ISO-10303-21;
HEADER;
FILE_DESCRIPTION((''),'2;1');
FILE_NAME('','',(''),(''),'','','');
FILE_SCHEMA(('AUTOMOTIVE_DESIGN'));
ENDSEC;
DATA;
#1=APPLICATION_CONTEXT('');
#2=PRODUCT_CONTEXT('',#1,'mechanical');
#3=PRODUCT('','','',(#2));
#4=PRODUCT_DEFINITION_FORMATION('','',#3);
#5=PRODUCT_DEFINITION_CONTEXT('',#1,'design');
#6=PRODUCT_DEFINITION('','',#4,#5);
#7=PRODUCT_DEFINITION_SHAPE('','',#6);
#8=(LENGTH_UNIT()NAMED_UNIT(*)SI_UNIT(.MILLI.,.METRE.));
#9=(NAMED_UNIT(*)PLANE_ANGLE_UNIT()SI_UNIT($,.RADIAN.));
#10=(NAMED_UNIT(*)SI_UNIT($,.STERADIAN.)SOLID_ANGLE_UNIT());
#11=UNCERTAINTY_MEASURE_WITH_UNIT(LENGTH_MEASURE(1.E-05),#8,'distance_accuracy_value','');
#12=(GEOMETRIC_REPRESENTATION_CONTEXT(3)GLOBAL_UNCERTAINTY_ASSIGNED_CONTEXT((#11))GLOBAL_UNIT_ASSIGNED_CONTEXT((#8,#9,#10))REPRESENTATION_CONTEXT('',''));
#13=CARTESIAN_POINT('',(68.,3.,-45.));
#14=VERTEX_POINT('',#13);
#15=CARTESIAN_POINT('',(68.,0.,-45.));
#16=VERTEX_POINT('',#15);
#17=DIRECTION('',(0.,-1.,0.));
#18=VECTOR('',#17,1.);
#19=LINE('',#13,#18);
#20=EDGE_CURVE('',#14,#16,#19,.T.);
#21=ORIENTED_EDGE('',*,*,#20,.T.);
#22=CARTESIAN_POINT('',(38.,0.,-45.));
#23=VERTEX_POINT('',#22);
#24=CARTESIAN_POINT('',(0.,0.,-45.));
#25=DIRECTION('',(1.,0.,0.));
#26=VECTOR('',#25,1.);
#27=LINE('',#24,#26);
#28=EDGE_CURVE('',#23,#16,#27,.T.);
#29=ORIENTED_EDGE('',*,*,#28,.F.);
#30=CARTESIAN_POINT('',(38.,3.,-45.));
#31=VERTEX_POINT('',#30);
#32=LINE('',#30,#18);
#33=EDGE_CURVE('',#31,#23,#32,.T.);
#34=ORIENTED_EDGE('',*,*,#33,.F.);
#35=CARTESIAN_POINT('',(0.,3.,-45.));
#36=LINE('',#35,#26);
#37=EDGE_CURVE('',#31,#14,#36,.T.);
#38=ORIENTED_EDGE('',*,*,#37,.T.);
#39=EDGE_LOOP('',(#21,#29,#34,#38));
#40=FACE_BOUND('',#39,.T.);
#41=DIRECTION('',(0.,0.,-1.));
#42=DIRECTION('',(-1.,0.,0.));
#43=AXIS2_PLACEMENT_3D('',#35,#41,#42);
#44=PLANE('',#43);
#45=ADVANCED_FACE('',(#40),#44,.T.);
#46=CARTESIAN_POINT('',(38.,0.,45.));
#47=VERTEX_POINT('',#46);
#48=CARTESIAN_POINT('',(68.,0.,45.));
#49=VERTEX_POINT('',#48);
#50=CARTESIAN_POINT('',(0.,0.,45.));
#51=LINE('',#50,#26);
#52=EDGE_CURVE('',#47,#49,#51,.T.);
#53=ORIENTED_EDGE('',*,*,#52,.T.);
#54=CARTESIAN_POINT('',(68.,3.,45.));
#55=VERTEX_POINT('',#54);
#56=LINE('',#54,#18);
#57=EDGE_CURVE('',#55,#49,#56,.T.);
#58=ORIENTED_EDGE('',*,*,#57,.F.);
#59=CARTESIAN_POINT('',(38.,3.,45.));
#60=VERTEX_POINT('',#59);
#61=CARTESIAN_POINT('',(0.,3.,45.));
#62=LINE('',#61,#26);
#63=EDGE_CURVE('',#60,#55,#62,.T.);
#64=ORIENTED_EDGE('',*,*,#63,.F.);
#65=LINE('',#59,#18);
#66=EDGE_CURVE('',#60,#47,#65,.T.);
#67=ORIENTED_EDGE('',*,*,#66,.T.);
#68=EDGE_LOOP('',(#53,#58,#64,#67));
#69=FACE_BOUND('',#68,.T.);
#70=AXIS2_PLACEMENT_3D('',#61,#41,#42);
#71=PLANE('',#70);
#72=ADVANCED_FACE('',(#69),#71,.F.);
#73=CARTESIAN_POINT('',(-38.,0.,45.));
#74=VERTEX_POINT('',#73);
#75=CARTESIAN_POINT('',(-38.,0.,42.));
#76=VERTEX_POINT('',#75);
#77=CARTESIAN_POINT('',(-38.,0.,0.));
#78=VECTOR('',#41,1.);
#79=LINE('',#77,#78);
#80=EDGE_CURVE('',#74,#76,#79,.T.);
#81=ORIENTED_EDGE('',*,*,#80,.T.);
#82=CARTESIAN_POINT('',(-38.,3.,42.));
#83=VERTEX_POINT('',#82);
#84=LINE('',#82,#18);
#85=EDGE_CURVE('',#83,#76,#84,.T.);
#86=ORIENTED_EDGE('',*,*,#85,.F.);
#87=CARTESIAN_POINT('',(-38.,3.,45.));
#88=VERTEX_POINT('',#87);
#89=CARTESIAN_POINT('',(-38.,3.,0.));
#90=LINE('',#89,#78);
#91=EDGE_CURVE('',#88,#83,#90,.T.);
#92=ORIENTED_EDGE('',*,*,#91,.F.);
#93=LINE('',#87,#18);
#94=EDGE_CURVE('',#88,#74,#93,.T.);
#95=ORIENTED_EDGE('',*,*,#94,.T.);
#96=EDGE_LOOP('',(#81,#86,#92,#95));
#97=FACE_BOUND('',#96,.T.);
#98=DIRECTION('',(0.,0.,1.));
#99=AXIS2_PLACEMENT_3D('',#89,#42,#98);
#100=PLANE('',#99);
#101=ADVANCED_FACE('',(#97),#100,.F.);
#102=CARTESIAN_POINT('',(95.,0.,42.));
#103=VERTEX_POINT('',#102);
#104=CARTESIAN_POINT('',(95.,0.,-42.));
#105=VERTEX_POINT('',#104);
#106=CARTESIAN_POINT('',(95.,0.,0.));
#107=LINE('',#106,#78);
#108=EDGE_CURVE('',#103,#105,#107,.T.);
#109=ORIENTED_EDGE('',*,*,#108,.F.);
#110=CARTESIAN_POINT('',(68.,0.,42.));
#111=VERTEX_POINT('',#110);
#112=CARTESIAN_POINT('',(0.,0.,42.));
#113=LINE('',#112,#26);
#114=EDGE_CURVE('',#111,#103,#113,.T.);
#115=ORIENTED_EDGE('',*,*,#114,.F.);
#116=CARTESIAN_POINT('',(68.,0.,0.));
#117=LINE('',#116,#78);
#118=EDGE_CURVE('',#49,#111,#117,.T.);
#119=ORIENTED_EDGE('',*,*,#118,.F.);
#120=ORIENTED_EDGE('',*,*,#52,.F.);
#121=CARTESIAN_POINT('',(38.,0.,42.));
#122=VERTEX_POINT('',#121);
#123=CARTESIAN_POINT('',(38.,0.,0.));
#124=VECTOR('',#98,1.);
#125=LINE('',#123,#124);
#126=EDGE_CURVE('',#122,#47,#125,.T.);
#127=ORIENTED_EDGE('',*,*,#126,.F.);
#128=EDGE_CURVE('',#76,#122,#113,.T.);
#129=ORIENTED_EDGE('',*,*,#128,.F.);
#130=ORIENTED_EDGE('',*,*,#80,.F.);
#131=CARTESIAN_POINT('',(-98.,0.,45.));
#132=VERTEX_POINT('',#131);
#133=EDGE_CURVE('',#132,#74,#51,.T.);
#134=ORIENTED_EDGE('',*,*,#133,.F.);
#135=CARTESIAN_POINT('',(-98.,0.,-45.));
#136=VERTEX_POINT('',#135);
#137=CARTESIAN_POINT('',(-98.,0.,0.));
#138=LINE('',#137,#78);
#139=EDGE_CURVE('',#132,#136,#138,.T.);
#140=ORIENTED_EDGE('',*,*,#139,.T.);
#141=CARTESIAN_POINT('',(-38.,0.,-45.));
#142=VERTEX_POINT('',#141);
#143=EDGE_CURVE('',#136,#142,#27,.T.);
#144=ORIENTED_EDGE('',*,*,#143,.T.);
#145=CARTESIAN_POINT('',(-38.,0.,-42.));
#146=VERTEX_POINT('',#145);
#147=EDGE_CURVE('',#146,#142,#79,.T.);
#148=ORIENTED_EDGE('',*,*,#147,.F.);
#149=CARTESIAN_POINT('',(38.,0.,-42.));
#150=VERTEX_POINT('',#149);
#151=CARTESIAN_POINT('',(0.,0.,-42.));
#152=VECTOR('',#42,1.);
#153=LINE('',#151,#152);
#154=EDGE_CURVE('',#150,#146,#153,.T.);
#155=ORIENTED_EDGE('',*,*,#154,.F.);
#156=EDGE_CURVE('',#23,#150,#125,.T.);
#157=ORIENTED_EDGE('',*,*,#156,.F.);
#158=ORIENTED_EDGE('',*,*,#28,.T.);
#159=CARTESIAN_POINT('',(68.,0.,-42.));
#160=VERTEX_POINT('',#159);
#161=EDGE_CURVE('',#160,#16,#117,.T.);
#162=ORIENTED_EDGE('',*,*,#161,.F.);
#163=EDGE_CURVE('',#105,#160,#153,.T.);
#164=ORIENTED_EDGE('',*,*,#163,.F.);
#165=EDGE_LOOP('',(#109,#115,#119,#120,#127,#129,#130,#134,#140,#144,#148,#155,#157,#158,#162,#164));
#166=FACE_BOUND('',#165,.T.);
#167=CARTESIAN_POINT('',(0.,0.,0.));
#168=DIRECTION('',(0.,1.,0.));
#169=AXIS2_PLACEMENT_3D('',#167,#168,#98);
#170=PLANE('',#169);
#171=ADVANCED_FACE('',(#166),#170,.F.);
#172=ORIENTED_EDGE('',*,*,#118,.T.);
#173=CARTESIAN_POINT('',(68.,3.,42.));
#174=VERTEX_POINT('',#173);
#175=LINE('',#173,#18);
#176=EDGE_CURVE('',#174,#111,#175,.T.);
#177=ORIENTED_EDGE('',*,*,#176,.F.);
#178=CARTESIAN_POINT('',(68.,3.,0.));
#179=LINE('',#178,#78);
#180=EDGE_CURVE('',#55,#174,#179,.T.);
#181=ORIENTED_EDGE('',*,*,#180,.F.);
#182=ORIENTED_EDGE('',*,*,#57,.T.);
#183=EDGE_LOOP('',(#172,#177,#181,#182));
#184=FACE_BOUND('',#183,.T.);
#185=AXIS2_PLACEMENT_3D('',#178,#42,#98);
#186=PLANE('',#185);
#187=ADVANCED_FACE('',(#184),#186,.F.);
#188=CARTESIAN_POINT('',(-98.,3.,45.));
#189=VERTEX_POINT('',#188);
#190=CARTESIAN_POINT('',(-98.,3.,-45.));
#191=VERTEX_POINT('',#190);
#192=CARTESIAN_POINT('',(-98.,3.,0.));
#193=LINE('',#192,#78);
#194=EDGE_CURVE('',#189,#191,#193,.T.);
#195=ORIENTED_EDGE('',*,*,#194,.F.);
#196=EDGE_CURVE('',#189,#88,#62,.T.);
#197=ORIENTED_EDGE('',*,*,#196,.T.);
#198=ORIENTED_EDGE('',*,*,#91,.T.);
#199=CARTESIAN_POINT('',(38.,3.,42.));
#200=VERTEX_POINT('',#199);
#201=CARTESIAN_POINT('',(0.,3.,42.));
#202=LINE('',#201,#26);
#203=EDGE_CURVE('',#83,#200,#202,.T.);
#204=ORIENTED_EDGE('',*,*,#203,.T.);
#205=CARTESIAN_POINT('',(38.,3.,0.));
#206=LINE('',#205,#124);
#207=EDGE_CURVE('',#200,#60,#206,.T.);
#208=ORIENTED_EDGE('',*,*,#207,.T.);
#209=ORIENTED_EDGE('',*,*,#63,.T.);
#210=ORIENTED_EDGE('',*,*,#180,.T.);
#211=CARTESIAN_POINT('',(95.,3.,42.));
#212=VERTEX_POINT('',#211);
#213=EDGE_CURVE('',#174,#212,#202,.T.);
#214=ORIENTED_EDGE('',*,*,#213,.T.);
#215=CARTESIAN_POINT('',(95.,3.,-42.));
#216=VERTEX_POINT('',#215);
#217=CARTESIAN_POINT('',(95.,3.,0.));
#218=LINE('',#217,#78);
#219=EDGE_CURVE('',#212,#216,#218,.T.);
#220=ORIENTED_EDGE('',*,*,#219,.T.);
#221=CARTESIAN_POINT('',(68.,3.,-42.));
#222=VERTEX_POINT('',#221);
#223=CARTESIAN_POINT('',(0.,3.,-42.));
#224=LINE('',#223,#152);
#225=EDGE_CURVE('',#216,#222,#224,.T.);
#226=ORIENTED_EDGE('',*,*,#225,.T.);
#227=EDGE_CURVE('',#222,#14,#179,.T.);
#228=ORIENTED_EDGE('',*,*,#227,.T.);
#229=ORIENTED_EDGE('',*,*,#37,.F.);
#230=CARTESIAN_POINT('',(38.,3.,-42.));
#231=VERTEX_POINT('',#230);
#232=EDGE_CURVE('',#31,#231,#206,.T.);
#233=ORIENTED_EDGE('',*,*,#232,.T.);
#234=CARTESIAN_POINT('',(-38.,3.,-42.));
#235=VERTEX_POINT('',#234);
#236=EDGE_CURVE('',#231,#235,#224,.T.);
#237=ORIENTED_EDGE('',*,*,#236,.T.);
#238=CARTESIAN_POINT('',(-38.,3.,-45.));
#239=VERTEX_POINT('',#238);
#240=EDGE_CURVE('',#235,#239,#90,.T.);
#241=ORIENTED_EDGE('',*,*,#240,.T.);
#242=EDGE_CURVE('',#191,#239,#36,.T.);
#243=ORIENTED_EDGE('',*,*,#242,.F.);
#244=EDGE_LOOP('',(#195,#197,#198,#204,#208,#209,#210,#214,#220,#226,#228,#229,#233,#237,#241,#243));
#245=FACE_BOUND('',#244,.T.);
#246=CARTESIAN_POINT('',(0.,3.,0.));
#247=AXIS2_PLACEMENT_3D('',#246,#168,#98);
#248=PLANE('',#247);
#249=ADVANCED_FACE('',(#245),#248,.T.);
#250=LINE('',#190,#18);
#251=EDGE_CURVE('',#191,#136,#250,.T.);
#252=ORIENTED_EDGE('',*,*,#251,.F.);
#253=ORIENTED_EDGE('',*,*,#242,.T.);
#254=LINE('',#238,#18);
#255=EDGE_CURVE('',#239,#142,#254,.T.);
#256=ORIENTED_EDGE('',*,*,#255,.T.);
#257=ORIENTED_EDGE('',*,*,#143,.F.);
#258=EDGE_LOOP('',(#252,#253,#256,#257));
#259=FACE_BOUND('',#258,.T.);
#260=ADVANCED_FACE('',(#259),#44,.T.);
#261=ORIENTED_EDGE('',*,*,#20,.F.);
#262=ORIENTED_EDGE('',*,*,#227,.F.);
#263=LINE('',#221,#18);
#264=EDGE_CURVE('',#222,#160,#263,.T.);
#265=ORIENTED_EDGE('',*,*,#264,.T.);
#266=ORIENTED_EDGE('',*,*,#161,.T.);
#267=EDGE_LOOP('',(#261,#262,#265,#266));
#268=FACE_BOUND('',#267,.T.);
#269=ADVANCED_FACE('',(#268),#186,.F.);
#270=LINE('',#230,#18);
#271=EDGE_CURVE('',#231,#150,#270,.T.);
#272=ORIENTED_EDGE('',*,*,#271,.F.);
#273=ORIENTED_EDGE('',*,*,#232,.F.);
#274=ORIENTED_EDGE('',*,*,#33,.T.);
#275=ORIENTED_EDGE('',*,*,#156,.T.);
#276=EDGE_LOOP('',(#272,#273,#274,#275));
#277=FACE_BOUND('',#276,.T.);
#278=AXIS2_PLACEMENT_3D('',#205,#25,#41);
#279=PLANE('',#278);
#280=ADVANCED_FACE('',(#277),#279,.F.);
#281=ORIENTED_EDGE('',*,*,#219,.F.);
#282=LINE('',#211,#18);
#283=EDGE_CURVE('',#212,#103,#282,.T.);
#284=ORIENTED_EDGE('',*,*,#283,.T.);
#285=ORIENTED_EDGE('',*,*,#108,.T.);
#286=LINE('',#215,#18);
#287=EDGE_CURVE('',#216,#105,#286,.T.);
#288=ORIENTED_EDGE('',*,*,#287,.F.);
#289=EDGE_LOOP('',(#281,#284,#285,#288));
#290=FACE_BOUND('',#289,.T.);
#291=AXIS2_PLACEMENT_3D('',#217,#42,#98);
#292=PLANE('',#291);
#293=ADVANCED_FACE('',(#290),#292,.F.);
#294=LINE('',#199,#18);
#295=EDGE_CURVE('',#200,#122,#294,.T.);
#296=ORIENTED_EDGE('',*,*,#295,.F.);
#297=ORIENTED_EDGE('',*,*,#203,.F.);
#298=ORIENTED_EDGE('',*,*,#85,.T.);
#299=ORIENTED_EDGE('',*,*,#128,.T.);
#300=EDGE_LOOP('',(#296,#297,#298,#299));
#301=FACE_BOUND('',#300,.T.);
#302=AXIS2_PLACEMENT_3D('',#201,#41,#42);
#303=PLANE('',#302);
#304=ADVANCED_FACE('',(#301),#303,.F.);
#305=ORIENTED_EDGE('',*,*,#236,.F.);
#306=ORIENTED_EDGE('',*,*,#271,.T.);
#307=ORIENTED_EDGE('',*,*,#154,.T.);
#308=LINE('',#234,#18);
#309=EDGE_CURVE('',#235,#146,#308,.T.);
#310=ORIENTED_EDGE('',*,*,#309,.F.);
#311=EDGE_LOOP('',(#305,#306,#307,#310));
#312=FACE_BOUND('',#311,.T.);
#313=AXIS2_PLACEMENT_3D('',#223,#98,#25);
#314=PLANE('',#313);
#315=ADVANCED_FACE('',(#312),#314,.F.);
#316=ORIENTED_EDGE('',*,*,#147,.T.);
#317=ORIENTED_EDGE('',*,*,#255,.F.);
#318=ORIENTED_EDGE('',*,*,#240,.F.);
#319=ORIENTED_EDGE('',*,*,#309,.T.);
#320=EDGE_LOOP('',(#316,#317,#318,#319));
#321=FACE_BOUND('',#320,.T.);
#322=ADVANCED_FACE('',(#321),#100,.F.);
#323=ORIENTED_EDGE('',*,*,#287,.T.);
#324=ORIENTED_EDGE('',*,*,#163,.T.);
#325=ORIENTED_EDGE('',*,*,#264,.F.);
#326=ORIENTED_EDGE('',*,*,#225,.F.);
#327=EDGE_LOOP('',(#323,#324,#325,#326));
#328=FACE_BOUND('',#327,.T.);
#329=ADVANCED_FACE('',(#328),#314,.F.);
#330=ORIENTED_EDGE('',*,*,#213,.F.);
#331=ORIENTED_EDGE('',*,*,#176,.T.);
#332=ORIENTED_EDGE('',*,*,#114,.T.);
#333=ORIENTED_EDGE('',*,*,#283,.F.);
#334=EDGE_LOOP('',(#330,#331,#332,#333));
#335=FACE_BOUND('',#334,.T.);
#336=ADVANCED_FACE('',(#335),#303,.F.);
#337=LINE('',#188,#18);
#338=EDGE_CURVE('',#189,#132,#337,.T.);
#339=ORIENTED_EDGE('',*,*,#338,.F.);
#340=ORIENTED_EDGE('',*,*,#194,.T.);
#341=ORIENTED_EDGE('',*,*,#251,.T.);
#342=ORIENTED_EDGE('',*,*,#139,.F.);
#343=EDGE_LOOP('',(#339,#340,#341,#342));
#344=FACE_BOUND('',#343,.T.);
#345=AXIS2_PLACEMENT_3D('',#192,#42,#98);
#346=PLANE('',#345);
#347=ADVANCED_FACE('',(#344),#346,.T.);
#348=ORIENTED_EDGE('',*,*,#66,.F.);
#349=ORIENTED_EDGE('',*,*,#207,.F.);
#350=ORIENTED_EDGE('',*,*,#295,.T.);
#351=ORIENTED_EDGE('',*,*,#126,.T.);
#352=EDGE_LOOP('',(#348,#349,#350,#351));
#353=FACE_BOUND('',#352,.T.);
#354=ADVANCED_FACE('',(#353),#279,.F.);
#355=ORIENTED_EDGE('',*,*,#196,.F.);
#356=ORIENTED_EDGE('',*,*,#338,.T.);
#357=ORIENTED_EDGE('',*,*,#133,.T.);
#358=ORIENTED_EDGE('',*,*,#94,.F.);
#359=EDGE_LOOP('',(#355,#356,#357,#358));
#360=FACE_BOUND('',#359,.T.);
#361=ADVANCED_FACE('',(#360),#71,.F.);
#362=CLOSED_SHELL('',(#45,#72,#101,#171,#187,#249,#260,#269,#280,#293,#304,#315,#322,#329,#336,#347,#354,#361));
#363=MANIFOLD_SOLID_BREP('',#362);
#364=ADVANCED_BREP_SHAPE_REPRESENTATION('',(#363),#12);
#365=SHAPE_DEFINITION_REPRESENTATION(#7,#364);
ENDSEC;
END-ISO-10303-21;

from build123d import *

# Parameters (mm, degrees)
BOSS_EXTRUDE1_DEPTH = 3


with BuildPart() as part:
    # Sketch1 → Boss-Extrude1 (new body)
    with BuildSketch(Plane(origin=(0, 0, 0), x_dir=(1, 0, 0), z_dir=(0, 1, 0))):
        Polygon((68, 45), (38, 45), (38, 42), (-38, 42), (-38, 45), (-98, 45), (-98, -45), (-38, -45), (-38, -42), (38, -42), (38, -45), (68, -45), (68, -42), (95, -42), (95, 42), (68, 42), align=None)
    extrude(amount=BOSS_EXTRUDE1_DEPTH)


solid = part.part
